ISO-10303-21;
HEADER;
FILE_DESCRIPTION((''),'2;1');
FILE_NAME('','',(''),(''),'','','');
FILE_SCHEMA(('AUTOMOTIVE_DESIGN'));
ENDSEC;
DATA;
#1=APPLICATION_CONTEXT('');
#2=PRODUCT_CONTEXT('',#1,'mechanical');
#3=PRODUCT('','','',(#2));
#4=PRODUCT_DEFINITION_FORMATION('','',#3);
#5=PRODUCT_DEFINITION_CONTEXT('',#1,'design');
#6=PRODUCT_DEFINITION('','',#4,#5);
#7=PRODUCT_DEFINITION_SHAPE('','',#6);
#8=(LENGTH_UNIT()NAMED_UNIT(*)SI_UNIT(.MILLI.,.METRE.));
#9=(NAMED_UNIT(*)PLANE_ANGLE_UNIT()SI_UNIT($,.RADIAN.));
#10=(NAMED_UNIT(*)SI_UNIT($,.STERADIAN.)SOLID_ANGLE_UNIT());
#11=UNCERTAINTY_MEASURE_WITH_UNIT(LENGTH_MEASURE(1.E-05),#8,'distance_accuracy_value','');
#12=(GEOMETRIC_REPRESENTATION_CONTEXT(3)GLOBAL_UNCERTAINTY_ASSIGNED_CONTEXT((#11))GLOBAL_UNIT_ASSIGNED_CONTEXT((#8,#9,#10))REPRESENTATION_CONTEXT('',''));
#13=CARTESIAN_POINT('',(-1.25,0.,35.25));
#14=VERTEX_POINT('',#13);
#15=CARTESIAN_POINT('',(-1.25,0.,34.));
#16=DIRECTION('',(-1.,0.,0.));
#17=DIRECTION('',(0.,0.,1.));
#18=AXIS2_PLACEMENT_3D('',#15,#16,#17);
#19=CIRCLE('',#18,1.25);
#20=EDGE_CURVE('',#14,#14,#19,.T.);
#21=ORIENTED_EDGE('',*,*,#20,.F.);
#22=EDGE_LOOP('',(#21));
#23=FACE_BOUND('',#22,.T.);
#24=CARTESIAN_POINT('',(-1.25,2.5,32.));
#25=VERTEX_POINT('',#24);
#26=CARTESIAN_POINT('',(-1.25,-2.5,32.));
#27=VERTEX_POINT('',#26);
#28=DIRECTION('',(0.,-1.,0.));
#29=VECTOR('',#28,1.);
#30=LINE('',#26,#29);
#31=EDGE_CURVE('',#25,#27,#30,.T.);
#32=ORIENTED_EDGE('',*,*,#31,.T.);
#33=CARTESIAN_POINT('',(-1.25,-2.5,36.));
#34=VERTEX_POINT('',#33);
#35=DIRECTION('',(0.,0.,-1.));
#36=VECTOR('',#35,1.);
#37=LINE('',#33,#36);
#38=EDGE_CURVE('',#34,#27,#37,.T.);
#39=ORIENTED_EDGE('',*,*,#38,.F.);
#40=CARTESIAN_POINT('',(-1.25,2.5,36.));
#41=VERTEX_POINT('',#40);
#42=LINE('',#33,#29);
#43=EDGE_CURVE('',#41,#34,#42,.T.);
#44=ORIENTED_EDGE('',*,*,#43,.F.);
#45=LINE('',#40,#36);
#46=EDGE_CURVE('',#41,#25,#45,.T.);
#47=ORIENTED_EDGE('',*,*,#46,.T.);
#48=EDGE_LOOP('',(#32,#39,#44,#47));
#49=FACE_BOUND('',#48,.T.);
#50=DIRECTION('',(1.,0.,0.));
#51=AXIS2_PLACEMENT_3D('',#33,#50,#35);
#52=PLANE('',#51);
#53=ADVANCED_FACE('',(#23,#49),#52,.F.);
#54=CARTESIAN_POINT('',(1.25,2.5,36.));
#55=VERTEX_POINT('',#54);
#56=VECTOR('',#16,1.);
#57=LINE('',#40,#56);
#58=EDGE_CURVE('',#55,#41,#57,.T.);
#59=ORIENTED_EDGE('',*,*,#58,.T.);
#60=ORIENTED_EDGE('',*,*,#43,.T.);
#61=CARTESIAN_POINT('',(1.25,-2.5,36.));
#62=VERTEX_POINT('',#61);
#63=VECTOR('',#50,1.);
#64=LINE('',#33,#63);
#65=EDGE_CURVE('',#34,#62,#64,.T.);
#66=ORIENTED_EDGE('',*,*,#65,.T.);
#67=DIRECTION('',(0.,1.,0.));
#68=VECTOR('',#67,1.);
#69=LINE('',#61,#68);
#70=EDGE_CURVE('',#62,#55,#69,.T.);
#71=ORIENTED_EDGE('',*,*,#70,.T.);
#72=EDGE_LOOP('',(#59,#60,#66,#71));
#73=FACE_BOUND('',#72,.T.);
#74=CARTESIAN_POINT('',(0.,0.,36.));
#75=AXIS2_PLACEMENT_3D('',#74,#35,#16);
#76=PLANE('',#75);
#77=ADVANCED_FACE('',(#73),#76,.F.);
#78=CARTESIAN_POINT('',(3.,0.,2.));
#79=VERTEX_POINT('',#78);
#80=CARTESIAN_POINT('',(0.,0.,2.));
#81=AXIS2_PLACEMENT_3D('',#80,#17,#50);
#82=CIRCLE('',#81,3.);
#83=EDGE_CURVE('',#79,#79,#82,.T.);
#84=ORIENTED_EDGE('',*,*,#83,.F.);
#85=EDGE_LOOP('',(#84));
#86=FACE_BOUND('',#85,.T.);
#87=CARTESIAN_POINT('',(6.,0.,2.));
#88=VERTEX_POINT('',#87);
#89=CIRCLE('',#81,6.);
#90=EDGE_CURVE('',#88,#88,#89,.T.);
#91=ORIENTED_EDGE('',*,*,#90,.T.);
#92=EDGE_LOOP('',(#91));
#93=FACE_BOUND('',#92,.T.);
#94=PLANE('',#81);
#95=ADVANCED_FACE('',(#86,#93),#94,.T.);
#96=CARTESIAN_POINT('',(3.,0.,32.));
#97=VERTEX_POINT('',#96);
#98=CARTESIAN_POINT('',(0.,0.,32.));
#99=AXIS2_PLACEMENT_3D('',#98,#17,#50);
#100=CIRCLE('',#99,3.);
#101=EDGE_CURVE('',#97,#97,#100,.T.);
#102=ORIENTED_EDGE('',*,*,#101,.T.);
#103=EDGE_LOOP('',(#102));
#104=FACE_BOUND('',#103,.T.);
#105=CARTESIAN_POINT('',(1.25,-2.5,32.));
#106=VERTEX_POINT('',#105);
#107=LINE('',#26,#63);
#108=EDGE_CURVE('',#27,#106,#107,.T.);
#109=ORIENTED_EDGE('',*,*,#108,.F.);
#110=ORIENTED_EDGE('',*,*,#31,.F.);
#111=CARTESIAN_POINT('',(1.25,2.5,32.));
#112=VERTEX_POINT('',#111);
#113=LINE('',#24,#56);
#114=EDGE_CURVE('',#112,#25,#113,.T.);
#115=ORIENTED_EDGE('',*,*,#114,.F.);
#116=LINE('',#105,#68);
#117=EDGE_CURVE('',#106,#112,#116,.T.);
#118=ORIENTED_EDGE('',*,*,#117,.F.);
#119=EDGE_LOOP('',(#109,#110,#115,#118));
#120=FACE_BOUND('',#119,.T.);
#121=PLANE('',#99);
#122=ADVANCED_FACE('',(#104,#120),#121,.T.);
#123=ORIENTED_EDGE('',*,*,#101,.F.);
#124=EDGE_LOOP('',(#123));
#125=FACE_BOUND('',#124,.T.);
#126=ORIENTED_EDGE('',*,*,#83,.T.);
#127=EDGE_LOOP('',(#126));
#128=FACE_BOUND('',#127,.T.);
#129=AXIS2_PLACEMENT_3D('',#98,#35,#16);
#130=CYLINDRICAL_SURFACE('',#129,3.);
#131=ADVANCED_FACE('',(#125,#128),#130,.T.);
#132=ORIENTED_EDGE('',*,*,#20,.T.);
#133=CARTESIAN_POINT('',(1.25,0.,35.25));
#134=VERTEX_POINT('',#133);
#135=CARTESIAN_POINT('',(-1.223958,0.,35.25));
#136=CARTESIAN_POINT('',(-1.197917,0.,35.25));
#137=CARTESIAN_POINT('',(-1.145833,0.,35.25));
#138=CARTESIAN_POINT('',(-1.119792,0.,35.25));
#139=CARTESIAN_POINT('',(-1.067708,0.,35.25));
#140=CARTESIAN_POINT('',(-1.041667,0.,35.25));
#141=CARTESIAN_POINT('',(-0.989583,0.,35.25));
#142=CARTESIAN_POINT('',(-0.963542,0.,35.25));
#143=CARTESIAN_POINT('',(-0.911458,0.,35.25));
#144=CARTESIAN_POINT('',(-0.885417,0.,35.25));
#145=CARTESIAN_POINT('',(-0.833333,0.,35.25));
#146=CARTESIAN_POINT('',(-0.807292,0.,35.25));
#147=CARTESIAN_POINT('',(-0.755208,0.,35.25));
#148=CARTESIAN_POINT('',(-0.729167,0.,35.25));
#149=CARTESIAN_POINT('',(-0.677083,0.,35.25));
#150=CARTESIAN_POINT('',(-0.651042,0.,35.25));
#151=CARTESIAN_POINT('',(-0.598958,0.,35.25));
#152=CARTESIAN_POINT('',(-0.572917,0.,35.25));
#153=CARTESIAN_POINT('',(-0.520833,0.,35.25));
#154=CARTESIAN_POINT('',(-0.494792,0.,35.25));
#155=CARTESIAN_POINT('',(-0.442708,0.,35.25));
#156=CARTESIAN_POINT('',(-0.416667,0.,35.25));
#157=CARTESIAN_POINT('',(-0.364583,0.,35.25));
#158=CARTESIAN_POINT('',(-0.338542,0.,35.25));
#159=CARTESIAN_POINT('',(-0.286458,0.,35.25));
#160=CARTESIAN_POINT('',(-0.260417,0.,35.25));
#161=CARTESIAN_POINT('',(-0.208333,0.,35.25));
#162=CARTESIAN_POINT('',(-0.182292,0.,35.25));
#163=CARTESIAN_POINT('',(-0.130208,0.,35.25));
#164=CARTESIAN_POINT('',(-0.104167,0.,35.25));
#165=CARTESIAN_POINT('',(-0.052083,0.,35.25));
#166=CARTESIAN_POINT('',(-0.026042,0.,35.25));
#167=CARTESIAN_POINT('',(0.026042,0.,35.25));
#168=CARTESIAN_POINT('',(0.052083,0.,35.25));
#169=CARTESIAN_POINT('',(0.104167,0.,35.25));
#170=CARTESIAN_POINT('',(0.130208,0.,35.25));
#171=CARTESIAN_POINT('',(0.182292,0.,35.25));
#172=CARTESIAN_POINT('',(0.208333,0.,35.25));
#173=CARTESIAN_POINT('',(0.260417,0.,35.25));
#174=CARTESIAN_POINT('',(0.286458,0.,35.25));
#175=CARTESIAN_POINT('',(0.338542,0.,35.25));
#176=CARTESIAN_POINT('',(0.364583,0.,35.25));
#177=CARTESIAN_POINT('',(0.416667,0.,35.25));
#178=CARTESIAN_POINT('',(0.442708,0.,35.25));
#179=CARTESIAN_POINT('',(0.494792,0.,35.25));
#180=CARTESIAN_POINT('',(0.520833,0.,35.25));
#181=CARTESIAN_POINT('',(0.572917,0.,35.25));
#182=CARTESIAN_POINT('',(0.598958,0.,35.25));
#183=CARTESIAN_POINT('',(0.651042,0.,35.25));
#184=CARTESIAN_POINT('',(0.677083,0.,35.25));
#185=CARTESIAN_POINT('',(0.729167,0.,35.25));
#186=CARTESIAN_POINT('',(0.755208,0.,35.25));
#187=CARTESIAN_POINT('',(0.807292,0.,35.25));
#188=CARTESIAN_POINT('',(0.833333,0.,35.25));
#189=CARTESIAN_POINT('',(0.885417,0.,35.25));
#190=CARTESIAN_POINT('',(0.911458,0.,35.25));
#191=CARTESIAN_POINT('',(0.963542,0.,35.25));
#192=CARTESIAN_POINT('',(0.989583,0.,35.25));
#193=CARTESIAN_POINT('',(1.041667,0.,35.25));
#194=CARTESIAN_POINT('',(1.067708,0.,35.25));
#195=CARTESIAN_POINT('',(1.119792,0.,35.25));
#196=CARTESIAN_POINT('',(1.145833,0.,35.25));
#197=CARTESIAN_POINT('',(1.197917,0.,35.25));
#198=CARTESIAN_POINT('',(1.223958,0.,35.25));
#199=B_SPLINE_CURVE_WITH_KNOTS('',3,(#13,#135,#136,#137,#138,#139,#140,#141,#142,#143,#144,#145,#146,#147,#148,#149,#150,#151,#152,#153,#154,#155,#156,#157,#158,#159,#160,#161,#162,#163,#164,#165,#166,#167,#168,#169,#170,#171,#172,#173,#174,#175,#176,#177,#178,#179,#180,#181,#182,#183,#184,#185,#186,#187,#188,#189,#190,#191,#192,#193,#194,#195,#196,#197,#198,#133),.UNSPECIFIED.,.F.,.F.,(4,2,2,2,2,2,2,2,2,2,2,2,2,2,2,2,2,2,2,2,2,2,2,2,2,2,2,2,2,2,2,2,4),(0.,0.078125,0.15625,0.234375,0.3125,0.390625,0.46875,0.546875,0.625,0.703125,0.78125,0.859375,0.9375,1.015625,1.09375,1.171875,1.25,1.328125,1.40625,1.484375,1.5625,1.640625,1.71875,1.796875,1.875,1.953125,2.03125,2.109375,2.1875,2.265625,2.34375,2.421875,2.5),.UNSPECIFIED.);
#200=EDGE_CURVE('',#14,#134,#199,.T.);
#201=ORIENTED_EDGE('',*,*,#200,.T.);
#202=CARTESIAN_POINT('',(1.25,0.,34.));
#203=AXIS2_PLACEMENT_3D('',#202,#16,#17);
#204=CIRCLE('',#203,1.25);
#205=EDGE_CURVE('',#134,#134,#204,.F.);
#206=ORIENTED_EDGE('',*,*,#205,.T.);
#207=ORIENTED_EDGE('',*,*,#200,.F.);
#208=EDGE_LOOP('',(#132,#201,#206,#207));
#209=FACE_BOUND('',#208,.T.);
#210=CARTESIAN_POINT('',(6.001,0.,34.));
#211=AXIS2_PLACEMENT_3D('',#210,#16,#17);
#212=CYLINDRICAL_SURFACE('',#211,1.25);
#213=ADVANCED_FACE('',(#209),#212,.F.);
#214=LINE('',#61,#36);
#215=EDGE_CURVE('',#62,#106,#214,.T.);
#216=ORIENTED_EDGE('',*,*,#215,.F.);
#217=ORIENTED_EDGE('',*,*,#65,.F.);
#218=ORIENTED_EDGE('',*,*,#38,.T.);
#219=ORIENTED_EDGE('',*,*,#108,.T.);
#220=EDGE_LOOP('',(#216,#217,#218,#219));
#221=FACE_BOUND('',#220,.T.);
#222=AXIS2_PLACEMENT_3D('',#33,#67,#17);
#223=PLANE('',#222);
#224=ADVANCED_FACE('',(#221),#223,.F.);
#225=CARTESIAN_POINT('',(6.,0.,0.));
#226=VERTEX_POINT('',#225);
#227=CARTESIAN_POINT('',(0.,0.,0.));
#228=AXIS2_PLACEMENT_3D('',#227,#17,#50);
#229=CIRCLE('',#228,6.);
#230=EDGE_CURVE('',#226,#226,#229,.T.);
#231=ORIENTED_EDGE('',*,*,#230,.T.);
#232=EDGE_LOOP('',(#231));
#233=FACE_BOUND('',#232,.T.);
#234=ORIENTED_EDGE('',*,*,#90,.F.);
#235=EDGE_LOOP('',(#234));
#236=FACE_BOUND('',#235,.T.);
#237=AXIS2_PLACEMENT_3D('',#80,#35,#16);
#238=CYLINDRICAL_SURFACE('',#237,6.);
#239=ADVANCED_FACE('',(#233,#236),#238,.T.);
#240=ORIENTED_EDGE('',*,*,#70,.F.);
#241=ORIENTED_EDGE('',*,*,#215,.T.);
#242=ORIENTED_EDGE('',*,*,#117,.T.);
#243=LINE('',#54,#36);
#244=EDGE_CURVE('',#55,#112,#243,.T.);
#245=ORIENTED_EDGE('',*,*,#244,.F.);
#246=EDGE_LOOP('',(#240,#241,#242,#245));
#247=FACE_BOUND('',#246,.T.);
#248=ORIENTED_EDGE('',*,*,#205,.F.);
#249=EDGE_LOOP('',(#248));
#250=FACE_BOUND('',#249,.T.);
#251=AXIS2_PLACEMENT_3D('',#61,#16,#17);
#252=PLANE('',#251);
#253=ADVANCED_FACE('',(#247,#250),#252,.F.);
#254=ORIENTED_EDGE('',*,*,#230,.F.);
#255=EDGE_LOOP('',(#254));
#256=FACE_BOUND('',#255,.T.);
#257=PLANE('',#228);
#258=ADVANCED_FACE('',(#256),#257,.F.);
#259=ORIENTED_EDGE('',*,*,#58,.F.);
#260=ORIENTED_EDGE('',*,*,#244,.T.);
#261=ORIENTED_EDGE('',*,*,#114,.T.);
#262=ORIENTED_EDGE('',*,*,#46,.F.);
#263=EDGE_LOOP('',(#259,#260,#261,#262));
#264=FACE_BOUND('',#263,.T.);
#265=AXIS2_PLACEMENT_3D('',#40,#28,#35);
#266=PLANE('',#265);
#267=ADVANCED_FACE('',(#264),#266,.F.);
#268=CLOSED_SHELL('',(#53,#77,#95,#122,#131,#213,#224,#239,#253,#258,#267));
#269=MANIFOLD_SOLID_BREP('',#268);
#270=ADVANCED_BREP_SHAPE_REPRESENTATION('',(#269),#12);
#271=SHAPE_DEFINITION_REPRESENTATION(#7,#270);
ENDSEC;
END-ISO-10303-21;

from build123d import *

# Parameters (mm, degrees)
SKETCH1_R           = 6
BOSS_EXTRUDE1_DEPTH = 2
SKETCH2_R           = 3
BOSS_EXTRUDE2_DEPTH = 30
SKETCH3_W           = 2.5
SKETCH3_H           = 5
BOSS_EXTRUDE3_DEPTH = 4
CUT_EXTRUDE1_REACH  = 39.21
SKETCH4_R           = 1.25


with BuildPart() as part:
    # Sketch1 → Boss-Extrude1 (new body)
    with BuildSketch(Plane.XY):
        Circle(SKETCH1_R)
    extrude(amount=BOSS_EXTRUDE1_DEPTH)

    # Sketch2 → Boss-Extrude2 (add)
    with BuildSketch(Plane.XY.offset(2)):
        Circle(SKETCH2_R)
    extrude(amount=BOSS_EXTRUDE2_DEPTH)

    # Sketch3 → Boss-Extrude3 (add)
    with BuildSketch(Plane.XY.offset(32)):
        Rectangle(SKETCH3_W, SKETCH3_H)
    extrude(amount=BOSS_EXTRUDE3_DEPTH)

    # Sketch4 → Cut-Extrude1 (cut, up to next)
    with BuildSketch(Plane.ZY.offset(1.25), mode=Mode.PRIVATE) as cut_extrude1_sk1:
        with Locations((34, 0)):
            Circle(SKETCH4_R)
    cut_extrude1_tool1 = extrude(cut_extrude1_sk1.sketch, amount=-CUT_EXTRUDE1_REACH, mode=Mode.PRIVATE) & part.part
    add(cut_extrude1_tool1.solids().sort_by_distance((-1.25, 0, 34))[0], mode=Mode.SUBTRACT)


solid = part.part
